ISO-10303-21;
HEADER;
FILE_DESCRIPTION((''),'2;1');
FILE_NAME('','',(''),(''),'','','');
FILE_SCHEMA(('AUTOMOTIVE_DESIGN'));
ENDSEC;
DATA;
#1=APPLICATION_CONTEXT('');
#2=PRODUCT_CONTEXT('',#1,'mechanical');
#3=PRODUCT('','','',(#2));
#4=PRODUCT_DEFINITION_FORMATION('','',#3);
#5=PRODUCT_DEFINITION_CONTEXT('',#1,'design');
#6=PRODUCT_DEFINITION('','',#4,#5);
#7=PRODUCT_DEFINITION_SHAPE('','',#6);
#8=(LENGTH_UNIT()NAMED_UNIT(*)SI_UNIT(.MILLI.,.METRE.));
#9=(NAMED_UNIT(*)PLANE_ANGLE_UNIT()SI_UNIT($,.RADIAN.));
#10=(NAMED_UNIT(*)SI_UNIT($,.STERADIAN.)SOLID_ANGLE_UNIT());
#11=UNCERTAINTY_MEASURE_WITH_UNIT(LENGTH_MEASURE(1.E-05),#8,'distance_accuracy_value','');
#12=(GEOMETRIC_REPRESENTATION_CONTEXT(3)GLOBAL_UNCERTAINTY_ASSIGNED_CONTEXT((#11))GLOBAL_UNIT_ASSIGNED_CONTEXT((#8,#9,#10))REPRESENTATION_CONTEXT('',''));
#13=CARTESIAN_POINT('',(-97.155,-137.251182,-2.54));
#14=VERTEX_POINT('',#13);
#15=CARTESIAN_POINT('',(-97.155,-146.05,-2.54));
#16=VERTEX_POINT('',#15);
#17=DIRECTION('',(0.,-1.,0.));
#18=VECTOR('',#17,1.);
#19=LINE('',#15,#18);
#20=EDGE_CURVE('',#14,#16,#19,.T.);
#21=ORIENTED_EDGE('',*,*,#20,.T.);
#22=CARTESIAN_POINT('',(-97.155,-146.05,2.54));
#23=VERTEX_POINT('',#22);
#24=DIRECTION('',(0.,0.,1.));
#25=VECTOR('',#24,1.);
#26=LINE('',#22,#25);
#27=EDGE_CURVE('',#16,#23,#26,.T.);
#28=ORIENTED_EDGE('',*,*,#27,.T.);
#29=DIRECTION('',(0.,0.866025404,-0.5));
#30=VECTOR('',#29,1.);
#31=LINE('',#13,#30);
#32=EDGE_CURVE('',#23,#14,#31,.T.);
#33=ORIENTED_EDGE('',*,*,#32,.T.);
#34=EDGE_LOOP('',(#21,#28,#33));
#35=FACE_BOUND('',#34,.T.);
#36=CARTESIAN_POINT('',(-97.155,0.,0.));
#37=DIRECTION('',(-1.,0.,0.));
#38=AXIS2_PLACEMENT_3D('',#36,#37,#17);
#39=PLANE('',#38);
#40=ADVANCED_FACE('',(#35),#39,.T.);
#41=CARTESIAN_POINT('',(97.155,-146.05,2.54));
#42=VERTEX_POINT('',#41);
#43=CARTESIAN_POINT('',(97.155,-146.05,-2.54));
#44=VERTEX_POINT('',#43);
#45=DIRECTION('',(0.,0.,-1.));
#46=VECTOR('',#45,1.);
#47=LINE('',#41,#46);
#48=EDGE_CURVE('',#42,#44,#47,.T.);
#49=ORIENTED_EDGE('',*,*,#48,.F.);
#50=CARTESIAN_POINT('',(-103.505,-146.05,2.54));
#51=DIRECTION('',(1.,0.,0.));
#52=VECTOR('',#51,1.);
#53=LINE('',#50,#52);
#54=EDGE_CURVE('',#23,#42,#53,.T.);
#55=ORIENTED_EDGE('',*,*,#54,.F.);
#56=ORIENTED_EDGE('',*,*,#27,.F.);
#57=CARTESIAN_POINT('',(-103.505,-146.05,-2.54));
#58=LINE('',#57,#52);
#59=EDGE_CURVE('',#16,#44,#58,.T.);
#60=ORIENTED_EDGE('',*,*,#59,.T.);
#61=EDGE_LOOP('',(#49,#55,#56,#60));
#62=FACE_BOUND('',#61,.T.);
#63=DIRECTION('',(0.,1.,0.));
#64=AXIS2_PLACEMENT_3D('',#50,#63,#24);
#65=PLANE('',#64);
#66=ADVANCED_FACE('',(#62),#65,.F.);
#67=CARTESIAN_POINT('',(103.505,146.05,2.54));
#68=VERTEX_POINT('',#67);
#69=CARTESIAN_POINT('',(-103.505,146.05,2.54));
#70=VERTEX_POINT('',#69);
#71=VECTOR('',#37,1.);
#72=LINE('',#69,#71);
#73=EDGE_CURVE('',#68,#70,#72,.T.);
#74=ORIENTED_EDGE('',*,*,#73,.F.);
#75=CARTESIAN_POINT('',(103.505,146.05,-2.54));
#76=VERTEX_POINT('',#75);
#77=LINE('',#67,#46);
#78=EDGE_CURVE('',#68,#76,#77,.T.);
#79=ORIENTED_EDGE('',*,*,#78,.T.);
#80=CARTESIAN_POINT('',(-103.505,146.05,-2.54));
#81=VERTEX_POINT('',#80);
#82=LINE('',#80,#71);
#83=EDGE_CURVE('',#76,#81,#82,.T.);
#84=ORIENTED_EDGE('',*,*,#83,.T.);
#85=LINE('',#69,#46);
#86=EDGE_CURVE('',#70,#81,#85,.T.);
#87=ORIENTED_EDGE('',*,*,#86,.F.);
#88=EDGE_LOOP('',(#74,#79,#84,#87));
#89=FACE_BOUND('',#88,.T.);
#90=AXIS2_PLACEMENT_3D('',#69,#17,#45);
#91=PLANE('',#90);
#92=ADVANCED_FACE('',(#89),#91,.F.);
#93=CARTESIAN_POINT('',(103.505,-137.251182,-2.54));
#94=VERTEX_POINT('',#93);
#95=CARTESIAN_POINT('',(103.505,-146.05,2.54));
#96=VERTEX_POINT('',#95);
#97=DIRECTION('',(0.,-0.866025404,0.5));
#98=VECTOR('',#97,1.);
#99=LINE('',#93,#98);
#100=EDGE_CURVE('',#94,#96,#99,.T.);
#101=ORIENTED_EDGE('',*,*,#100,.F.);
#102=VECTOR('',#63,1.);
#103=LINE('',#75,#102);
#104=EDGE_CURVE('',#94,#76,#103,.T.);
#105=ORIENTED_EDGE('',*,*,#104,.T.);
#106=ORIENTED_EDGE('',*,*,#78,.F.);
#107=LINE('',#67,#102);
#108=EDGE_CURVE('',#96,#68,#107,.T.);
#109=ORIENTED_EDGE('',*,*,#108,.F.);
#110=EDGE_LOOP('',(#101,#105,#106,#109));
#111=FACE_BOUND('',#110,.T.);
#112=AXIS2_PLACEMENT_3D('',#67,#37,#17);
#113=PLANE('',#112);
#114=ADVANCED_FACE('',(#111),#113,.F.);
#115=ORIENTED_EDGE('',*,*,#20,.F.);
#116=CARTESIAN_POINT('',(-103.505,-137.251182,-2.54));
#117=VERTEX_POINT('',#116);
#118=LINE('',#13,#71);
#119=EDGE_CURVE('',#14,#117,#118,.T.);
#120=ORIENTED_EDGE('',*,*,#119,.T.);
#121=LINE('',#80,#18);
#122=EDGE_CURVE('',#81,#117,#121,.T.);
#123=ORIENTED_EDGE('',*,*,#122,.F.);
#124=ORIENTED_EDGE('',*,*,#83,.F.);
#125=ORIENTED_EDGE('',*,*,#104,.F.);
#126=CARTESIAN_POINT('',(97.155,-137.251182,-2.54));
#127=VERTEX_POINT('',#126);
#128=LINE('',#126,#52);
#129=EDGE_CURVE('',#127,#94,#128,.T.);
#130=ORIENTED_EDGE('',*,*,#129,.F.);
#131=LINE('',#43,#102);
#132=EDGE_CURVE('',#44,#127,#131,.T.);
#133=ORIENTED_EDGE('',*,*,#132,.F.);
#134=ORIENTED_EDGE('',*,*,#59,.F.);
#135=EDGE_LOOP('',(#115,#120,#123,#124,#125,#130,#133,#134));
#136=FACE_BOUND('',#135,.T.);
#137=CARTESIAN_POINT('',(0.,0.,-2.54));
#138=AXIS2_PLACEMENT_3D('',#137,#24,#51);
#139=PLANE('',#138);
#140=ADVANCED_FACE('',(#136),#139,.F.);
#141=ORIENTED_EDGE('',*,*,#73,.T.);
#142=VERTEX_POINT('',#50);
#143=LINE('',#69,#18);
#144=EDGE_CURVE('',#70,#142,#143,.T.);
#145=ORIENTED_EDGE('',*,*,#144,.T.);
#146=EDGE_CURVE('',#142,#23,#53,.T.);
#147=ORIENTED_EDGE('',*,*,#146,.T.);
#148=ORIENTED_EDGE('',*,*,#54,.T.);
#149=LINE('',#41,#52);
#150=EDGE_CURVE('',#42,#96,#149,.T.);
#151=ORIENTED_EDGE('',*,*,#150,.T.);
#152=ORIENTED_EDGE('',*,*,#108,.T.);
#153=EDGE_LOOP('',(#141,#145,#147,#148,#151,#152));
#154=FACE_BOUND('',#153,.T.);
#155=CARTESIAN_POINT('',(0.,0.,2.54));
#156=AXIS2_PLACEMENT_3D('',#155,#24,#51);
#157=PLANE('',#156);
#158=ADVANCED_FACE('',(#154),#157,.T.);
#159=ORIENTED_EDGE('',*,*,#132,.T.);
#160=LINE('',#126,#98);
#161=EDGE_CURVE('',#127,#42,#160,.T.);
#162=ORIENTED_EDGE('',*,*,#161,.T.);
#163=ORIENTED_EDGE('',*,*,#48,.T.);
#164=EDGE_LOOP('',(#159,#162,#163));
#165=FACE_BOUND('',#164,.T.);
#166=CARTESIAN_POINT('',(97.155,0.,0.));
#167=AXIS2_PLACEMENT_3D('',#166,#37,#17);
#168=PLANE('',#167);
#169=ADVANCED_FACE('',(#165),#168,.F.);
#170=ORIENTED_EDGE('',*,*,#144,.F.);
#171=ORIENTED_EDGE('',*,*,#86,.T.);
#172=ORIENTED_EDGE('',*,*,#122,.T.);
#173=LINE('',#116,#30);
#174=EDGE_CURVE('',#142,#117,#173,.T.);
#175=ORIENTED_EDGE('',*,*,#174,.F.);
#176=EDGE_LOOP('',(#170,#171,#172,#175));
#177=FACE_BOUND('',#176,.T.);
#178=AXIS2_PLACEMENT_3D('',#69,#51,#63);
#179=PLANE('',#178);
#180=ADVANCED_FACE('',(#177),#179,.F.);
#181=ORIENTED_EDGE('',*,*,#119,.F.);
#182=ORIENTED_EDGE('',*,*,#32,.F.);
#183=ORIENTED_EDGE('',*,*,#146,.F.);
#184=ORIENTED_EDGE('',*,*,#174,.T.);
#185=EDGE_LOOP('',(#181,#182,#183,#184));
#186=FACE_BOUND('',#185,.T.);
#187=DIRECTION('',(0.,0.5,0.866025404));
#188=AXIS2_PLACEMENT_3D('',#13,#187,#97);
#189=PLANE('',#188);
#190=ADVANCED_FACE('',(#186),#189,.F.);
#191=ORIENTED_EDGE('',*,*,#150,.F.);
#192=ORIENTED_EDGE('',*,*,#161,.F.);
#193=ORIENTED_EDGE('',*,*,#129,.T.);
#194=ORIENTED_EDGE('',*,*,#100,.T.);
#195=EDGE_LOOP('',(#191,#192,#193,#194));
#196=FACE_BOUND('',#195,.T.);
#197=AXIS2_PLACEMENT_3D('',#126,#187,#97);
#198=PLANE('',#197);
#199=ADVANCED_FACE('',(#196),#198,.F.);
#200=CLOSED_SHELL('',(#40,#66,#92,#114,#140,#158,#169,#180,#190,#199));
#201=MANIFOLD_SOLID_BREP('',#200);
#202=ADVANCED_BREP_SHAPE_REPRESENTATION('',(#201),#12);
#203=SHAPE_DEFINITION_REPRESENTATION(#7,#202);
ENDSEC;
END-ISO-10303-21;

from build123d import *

# Parameters (mm, degrees)
SKETCH1_W           = 207.01
SKETCH1_H           = 292.1
BOSS_EXTRUDE1_DEPTH = 2.54
CUT_EXTRUDE3_DEPTH  = 6.35
CUT_EXTRUDE4_DEPTH  = 6.35


with BuildPart() as part:
    # Sketch1 → Boss-Extrude1 (new body, symmetric)
    with BuildSketch(Plane.XY):
        Rectangle(SKETCH1_W, SKETCH1_H)
    extrude(amount=BOSS_EXTRUDE1_DEPTH, both=True)

    # Sketch4 → Cut-Extrude3 (cut)
    with BuildSketch(Plane.ZY.offset(103.505)):
        Polygon((-2.54, -137.251181898), (2.54, -146.05), (-2.54, -146.05), align=None)
    extrude(amount=-CUT_EXTRUDE3_DEPTH, mode=Mode.SUBTRACT)

    # Sketch5 → Cut-Extrude4 (cut)
    with BuildSketch(Plane(origin=(103.505, 0, 0), x_dir=(0, 0, -1), z_dir=(1, 0, 0))):
        Polygon((2.54, -137.251181898), (-2.54, -146.05), (2.54, -146.05), align=None)
    extrude(amount=-CUT_EXTRUDE4_DEPTH, mode=Mode.SUBTRACT)


solid = part.part
